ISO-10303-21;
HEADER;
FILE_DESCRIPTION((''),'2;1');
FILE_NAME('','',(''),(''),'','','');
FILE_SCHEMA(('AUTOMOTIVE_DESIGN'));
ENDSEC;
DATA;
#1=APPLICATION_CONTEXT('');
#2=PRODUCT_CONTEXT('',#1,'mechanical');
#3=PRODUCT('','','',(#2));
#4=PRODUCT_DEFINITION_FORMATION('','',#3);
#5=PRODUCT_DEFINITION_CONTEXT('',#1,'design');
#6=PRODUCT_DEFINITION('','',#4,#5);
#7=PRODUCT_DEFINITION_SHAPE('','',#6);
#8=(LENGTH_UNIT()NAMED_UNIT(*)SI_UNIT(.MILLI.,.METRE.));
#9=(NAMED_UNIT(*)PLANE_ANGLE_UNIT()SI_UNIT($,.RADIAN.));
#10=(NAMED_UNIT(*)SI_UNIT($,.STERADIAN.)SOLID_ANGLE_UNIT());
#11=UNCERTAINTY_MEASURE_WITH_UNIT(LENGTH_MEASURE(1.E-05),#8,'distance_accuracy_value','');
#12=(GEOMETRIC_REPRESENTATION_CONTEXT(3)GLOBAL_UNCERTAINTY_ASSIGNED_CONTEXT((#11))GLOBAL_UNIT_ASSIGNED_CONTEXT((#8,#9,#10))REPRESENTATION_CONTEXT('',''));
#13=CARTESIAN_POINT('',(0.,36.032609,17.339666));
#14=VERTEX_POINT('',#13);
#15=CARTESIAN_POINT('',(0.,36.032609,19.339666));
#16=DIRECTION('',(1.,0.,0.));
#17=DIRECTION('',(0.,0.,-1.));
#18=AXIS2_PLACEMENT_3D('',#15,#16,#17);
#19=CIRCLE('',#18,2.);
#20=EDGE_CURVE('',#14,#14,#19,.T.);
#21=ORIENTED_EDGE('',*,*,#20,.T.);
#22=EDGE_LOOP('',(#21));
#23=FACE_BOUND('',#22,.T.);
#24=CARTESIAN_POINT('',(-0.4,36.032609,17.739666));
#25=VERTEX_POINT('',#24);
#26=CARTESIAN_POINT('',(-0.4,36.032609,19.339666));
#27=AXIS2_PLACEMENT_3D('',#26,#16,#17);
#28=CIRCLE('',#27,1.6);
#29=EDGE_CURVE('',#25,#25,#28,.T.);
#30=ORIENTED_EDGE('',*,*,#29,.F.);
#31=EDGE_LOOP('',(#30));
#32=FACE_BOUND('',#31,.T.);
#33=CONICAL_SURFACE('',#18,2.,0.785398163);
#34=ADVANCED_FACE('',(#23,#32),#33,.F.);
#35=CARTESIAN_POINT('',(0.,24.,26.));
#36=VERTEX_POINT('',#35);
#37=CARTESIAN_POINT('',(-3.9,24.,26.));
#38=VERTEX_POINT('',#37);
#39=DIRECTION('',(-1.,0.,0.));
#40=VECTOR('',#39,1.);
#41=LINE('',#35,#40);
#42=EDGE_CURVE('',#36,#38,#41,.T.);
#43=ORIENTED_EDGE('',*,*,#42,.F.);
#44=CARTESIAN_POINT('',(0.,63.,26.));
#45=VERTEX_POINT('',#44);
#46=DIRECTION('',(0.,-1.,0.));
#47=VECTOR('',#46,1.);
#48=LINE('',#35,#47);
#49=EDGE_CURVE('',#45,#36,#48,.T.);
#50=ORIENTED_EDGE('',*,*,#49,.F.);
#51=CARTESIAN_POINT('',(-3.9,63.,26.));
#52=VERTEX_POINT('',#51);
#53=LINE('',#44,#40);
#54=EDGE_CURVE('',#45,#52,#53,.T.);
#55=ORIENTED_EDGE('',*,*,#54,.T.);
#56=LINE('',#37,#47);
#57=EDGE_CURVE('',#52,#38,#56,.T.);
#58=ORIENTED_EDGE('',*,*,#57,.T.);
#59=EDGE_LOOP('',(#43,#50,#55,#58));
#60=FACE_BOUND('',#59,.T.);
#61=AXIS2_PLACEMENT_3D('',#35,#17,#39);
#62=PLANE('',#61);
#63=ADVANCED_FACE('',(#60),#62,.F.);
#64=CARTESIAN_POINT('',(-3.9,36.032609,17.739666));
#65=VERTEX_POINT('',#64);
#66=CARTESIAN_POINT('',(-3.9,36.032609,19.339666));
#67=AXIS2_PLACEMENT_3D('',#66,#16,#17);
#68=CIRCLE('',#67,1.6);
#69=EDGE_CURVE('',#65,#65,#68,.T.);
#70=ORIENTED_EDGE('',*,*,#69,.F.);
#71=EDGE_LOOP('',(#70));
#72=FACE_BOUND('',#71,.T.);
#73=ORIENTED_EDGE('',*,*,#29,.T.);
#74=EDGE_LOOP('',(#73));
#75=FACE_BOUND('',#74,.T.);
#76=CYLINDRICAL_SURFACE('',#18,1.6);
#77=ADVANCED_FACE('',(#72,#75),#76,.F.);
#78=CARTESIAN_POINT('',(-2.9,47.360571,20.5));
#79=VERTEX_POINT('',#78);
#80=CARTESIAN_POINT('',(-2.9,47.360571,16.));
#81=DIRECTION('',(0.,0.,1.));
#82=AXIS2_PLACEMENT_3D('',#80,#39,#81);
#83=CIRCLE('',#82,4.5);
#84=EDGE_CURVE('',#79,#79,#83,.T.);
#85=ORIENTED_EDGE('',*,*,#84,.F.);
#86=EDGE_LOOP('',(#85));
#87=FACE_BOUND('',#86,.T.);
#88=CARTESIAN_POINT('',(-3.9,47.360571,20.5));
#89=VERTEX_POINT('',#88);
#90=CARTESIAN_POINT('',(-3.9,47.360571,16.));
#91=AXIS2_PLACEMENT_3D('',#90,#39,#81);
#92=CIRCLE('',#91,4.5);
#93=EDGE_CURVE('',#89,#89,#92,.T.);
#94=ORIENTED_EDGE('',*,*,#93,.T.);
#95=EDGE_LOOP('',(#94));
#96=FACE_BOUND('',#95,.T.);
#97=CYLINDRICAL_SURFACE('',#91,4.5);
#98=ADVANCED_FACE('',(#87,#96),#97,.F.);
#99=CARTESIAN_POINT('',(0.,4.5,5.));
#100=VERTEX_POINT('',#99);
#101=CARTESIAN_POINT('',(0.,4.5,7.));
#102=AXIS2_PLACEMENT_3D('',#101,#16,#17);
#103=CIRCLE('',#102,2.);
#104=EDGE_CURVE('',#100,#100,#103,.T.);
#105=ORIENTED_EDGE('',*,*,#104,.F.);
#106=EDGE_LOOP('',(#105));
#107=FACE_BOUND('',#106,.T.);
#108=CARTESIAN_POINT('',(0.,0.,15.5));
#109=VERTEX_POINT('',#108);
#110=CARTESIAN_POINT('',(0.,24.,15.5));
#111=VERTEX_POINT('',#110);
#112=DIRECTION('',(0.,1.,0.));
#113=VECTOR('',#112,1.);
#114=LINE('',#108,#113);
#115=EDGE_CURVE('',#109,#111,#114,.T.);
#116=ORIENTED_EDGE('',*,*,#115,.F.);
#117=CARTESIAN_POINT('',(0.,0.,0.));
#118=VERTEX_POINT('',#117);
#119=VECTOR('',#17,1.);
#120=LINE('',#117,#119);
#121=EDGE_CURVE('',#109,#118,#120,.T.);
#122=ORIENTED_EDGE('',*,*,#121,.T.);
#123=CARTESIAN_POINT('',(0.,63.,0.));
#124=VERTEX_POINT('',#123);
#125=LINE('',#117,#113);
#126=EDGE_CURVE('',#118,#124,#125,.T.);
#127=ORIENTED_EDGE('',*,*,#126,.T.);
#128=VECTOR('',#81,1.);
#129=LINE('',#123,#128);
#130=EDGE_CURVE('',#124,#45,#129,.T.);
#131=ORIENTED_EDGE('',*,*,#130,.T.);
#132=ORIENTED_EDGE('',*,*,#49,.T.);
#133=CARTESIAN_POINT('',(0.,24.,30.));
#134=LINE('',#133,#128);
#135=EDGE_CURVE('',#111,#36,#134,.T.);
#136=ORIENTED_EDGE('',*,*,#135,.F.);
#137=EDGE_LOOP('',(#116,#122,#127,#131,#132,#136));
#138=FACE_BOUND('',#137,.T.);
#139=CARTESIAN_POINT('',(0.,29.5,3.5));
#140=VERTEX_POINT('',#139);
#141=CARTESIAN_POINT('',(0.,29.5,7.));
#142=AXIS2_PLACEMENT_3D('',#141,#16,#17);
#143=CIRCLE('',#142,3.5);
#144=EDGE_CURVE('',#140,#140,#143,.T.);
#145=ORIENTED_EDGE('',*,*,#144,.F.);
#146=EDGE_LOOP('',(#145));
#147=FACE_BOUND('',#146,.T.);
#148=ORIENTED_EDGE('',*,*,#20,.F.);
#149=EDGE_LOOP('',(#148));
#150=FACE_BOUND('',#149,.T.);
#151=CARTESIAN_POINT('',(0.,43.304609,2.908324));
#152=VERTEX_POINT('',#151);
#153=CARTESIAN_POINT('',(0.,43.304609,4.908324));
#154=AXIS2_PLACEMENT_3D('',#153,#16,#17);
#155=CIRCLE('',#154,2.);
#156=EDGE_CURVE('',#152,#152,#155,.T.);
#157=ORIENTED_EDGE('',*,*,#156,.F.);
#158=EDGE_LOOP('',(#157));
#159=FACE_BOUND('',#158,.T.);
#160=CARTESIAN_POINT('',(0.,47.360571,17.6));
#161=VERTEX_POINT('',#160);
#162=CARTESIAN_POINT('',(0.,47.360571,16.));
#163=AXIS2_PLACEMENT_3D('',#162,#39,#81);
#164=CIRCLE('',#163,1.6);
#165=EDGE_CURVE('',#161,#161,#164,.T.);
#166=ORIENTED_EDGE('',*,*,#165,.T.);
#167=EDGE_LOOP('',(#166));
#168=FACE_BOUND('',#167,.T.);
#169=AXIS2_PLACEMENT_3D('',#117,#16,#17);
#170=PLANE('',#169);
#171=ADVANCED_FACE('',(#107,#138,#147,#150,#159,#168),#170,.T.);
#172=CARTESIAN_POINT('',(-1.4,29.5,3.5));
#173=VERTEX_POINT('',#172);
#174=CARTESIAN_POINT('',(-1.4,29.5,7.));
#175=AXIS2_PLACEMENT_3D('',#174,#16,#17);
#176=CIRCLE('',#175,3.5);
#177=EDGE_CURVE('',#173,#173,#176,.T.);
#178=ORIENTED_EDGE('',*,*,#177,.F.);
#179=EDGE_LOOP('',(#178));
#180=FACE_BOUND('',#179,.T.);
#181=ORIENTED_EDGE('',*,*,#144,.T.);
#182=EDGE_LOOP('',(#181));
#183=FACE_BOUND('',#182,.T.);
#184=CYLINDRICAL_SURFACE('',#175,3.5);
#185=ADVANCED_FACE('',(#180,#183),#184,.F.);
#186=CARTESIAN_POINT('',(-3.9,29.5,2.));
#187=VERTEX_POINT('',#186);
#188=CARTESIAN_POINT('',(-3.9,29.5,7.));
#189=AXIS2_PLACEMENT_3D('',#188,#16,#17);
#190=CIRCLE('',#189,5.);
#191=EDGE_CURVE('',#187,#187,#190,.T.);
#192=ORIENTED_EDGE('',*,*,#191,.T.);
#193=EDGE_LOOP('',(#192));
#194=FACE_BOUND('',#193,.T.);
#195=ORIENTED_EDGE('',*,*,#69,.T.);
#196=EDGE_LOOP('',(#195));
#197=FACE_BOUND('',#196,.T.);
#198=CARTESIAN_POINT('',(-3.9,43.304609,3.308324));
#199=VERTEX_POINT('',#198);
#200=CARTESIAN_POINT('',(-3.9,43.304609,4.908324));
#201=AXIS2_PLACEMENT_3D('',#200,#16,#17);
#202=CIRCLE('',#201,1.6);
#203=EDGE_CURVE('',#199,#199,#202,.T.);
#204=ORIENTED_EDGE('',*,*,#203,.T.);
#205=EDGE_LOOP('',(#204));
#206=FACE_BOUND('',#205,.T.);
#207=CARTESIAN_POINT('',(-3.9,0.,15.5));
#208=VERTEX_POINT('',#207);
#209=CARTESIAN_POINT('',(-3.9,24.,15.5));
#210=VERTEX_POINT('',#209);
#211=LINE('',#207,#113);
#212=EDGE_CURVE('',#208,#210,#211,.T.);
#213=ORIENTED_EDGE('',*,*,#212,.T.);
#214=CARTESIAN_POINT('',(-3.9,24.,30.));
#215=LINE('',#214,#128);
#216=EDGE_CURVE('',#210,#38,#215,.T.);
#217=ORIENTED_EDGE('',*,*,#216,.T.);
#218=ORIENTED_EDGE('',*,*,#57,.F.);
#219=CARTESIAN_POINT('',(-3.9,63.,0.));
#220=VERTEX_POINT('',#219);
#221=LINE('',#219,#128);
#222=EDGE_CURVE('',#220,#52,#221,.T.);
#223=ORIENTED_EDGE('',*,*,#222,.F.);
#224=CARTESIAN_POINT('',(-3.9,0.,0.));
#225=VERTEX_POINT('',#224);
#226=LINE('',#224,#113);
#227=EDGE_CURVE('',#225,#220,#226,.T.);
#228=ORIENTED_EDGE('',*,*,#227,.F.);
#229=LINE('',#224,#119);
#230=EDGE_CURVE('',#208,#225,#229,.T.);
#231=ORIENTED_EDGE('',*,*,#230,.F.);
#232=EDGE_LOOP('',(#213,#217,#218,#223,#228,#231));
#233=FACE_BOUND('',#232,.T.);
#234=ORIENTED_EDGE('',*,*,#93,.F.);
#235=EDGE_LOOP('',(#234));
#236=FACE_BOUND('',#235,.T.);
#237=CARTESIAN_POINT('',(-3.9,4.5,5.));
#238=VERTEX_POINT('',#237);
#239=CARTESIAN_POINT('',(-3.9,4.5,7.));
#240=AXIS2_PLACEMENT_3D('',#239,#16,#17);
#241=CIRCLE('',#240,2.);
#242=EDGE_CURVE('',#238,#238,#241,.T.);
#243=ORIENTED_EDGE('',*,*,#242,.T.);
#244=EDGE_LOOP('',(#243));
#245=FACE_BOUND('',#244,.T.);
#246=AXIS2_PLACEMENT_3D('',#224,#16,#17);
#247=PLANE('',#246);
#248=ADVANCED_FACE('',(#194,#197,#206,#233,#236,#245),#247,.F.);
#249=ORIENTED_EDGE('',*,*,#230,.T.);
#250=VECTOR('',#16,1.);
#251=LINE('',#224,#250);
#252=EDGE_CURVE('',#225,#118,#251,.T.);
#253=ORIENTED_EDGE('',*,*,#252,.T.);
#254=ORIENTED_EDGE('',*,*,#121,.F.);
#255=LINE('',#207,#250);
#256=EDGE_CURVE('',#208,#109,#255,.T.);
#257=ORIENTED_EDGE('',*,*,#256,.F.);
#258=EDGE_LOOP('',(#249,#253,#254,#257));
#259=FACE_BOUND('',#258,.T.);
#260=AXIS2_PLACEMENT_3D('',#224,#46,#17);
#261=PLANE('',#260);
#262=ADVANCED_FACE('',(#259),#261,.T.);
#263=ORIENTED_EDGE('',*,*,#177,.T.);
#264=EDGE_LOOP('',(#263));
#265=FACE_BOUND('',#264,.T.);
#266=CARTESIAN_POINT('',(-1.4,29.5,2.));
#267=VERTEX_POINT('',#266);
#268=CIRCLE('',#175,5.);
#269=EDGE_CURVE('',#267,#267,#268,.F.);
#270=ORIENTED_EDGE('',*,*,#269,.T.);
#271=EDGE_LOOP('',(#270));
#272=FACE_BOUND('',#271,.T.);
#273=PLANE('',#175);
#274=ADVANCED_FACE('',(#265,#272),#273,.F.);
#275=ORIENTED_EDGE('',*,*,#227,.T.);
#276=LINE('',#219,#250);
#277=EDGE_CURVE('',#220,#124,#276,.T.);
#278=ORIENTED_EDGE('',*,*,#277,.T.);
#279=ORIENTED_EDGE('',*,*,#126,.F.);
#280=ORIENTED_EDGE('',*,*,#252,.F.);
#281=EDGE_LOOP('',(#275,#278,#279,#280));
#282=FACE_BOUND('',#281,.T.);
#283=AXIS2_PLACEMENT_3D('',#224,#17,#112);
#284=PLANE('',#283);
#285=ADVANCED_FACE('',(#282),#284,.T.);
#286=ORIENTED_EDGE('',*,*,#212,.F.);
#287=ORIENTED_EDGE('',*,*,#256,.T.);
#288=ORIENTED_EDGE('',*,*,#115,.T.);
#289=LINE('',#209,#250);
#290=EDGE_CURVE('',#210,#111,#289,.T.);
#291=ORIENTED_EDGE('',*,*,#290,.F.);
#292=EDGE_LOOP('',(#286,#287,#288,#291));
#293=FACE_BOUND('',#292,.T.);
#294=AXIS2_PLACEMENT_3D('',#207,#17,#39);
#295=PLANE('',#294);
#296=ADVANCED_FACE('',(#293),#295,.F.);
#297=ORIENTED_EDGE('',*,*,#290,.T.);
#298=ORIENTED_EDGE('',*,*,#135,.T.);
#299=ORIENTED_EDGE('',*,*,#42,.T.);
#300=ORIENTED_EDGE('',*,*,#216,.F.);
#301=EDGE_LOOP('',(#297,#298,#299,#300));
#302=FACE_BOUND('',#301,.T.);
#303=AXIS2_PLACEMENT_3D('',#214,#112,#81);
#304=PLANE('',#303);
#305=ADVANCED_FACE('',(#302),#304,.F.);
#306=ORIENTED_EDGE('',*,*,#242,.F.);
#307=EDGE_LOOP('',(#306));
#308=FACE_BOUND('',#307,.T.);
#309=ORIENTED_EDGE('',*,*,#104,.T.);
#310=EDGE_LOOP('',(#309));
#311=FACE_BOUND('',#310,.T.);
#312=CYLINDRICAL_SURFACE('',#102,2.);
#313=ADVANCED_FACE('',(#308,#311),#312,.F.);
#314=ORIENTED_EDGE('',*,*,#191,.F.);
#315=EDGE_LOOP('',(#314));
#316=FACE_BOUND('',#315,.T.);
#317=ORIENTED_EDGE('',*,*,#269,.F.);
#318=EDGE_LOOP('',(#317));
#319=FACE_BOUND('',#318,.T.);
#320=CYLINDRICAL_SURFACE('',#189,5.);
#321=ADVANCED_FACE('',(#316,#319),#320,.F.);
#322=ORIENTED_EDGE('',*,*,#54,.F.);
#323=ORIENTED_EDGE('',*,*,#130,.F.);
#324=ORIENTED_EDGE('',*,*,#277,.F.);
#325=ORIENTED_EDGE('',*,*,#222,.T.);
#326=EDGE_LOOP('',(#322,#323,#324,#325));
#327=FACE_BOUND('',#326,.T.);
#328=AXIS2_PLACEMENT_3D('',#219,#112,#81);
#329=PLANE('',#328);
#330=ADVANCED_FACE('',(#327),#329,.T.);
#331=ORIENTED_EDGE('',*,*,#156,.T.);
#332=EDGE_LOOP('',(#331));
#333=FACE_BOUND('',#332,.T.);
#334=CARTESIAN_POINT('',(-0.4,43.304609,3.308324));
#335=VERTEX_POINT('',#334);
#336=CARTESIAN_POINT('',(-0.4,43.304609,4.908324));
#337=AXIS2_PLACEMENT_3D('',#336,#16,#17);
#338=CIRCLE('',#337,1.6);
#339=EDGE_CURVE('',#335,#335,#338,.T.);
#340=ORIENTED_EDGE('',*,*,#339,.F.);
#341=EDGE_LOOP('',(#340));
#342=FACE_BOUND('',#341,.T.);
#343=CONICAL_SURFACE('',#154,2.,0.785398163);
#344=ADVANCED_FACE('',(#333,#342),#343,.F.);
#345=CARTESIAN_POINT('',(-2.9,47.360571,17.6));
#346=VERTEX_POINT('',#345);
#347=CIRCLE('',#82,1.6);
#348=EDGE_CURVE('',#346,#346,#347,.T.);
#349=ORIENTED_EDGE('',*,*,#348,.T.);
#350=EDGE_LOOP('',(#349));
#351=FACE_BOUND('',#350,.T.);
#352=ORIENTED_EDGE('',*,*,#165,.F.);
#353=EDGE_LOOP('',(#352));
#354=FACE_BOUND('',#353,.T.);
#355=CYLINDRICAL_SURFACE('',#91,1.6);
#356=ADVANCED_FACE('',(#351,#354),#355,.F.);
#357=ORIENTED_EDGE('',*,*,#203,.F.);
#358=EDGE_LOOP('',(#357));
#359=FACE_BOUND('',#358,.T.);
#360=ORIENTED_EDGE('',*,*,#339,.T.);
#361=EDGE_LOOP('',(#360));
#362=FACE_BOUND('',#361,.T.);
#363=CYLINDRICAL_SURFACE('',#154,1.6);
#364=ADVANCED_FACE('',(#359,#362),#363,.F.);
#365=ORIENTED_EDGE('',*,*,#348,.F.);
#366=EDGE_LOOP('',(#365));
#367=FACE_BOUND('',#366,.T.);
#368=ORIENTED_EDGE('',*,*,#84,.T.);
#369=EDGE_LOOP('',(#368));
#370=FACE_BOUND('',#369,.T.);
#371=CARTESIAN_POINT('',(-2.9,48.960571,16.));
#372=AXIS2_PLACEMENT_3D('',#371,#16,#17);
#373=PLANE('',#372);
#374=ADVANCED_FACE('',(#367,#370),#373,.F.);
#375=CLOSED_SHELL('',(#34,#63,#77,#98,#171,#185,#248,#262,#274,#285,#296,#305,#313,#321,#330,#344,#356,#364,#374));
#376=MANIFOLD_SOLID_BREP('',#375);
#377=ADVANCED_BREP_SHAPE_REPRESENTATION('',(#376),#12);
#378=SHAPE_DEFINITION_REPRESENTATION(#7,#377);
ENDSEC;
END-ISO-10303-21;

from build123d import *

# Parameters (mm, degrees)
SKETCH1_W                                        = 30
SKETCH1_H                                        = 63
BOSS_EXTRUDE1_DEPTH                              = 3.9
SKETCH2_R                                        = 5
CUT_EXTRUDE1_DEPTH                               = 70.887123277
F_4_0_4_DIAMETER_HOLE1_D                         = 4
SKETCH12_W                                       = 14.5
SKETCH12_H                                       = 24
CUT_EXTRUDE2_DEPTH                               = 70.887123277
CBORE_FOR_M3_PAN_HEAD_MACHINE_SCREW2_D           = 3.2
CBORE_FOR_M3_PAN_HEAD_MACHINE_SCREW2_CBORE_D     = 9
CBORE_FOR_M3_PAN_HEAD_MACHINE_SCREW2_CBORE_DEPTH = 1
CSK_FOR_M3_FLAT_HEAD_MACHINE_SCREW1_D            = 3.2
CSK_FOR_M3_FLAT_HEAD_MACHINE_SCREW1_CSINK_D      = 4
CSK_FOR_M3_FLAT_HEAD_MACHINE_SCREW1_CSINK_ANGLE  = 90
SKETCH19_W                                       = 4
SKETCH19_H                                       = 39
CUT_EXTRUDE3_DEPTH                               = 70.887123277
SKETCH20_R                                       = 5
SKETCH20_R_2                                     = 3.5
BOSS_EXTRUDE2_DEPTH                              = 1.4


with BuildPart() as part:
    # Sketch1 → Boss-Extrude1 (new body)
    with BuildSketch(Plane(origin=(0, 0, 0), x_dir=(0, 0, -1), z_dir=(1, 0, 0))):
        with Locations((-15, 31.5)):
            Rectangle(SKETCH1_W, SKETCH1_H)
    extrude(amount=-BOSS_EXTRUDE1_DEPTH)

    # Sketch2 → Cut-Extrude1 (cut, through all)
    with BuildSketch(Plane(origin=(0, 0, 0), x_dir=(0, 0, -1), z_dir=(1, 0, 0))):
        with Locations((-7, 29.5)):
            Circle(SKETCH2_R)
    extrude(amount=-CUT_EXTRUDE1_DEPTH, mode=Mode.SUBTRACT)

    # Ø4.0 (4) Diameter Hole1 (through all)
    with Locations(Plane(origin=(0, 4.5, 7), x_dir=(0, 0, 1), z_dir=(1, 0, 0))):
        with Locations((0, 0)):
            Hole(F_4_0_4_DIAMETER_HOLE1_D / 2)

    # Sketch12 → Cut-Extrude2 (cut, through all)
    with BuildSketch(Plane(origin=(0, 0, 0), x_dir=(0, 0, -1), z_dir=(1, 0, 0))):
        with Locations((-22.75, 12)):
            Rectangle(SKETCH12_W, SKETCH12_H)
    extrude(amount=-CUT_EXTRUDE2_DEPTH, mode=Mode.SUBTRACT)

    # CBORE for M3 Pan Head Machine Screw2 (through all)
    with Locations(Plane(origin=(-3.9, 47.360571099, 16), x_dir=(0, 0, -1), z_dir=(-1, 0, 0))):
        with Locations((0, 0)):
            CounterBoreHole(CBORE_FOR_M3_PAN_HEAD_MACHINE_SCREW2_D / 2, CBORE_FOR_M3_PAN_HEAD_MACHINE_SCREW2_CBORE_D / 2, CBORE_FOR_M3_PAN_HEAD_MACHINE_SCREW2_CBORE_DEPTH)

    # CSK for M3 Flat Head Machine Screw1 (through all)
    with Locations(Plane(origin=(0, 36.032608687, 19.33966579), x_dir=(0, 0, 1), z_dir=(1, 0, 0))):
        with Locations((0, 0), (-14.431341448, -7.272)):
            CounterSinkHole(CSK_FOR_M3_FLAT_HEAD_MACHINE_SCREW1_D / 2, CSK_FOR_M3_FLAT_HEAD_MACHINE_SCREW1_CSINK_D / 2, counter_sink_angle=CSK_FOR_M3_FLAT_HEAD_MACHINE_SCREW1_CSINK_ANGLE)

    # Sketch19 → Cut-Extrude3 (cut, through all)
    with BuildSketch(Plane.ZY.offset(3.9)):
        with Locations((28, 43.5)):
            Rectangle(SKETCH19_W, SKETCH19_H)
    extrude(amount=-CUT_EXTRUDE3_DEPTH, mode=Mode.SUBTRACT)

    # Sketch20 → Boss-Extrude2 (add)
    with BuildSketch(Plane(origin=(0, 0, 0), x_dir=(0, 0, -1), z_dir=(1, 0, 0))):
        with Locations((-7, 29.5)):
            Circle(SKETCH20_R)
        with Locations((-7, 29.5)):
            Circle(SKETCH20_R_2, mode=Mode.SUBTRACT)
    extrude(amount=-BOSS_EXTRUDE2_DEPTH)


solid = part.part
